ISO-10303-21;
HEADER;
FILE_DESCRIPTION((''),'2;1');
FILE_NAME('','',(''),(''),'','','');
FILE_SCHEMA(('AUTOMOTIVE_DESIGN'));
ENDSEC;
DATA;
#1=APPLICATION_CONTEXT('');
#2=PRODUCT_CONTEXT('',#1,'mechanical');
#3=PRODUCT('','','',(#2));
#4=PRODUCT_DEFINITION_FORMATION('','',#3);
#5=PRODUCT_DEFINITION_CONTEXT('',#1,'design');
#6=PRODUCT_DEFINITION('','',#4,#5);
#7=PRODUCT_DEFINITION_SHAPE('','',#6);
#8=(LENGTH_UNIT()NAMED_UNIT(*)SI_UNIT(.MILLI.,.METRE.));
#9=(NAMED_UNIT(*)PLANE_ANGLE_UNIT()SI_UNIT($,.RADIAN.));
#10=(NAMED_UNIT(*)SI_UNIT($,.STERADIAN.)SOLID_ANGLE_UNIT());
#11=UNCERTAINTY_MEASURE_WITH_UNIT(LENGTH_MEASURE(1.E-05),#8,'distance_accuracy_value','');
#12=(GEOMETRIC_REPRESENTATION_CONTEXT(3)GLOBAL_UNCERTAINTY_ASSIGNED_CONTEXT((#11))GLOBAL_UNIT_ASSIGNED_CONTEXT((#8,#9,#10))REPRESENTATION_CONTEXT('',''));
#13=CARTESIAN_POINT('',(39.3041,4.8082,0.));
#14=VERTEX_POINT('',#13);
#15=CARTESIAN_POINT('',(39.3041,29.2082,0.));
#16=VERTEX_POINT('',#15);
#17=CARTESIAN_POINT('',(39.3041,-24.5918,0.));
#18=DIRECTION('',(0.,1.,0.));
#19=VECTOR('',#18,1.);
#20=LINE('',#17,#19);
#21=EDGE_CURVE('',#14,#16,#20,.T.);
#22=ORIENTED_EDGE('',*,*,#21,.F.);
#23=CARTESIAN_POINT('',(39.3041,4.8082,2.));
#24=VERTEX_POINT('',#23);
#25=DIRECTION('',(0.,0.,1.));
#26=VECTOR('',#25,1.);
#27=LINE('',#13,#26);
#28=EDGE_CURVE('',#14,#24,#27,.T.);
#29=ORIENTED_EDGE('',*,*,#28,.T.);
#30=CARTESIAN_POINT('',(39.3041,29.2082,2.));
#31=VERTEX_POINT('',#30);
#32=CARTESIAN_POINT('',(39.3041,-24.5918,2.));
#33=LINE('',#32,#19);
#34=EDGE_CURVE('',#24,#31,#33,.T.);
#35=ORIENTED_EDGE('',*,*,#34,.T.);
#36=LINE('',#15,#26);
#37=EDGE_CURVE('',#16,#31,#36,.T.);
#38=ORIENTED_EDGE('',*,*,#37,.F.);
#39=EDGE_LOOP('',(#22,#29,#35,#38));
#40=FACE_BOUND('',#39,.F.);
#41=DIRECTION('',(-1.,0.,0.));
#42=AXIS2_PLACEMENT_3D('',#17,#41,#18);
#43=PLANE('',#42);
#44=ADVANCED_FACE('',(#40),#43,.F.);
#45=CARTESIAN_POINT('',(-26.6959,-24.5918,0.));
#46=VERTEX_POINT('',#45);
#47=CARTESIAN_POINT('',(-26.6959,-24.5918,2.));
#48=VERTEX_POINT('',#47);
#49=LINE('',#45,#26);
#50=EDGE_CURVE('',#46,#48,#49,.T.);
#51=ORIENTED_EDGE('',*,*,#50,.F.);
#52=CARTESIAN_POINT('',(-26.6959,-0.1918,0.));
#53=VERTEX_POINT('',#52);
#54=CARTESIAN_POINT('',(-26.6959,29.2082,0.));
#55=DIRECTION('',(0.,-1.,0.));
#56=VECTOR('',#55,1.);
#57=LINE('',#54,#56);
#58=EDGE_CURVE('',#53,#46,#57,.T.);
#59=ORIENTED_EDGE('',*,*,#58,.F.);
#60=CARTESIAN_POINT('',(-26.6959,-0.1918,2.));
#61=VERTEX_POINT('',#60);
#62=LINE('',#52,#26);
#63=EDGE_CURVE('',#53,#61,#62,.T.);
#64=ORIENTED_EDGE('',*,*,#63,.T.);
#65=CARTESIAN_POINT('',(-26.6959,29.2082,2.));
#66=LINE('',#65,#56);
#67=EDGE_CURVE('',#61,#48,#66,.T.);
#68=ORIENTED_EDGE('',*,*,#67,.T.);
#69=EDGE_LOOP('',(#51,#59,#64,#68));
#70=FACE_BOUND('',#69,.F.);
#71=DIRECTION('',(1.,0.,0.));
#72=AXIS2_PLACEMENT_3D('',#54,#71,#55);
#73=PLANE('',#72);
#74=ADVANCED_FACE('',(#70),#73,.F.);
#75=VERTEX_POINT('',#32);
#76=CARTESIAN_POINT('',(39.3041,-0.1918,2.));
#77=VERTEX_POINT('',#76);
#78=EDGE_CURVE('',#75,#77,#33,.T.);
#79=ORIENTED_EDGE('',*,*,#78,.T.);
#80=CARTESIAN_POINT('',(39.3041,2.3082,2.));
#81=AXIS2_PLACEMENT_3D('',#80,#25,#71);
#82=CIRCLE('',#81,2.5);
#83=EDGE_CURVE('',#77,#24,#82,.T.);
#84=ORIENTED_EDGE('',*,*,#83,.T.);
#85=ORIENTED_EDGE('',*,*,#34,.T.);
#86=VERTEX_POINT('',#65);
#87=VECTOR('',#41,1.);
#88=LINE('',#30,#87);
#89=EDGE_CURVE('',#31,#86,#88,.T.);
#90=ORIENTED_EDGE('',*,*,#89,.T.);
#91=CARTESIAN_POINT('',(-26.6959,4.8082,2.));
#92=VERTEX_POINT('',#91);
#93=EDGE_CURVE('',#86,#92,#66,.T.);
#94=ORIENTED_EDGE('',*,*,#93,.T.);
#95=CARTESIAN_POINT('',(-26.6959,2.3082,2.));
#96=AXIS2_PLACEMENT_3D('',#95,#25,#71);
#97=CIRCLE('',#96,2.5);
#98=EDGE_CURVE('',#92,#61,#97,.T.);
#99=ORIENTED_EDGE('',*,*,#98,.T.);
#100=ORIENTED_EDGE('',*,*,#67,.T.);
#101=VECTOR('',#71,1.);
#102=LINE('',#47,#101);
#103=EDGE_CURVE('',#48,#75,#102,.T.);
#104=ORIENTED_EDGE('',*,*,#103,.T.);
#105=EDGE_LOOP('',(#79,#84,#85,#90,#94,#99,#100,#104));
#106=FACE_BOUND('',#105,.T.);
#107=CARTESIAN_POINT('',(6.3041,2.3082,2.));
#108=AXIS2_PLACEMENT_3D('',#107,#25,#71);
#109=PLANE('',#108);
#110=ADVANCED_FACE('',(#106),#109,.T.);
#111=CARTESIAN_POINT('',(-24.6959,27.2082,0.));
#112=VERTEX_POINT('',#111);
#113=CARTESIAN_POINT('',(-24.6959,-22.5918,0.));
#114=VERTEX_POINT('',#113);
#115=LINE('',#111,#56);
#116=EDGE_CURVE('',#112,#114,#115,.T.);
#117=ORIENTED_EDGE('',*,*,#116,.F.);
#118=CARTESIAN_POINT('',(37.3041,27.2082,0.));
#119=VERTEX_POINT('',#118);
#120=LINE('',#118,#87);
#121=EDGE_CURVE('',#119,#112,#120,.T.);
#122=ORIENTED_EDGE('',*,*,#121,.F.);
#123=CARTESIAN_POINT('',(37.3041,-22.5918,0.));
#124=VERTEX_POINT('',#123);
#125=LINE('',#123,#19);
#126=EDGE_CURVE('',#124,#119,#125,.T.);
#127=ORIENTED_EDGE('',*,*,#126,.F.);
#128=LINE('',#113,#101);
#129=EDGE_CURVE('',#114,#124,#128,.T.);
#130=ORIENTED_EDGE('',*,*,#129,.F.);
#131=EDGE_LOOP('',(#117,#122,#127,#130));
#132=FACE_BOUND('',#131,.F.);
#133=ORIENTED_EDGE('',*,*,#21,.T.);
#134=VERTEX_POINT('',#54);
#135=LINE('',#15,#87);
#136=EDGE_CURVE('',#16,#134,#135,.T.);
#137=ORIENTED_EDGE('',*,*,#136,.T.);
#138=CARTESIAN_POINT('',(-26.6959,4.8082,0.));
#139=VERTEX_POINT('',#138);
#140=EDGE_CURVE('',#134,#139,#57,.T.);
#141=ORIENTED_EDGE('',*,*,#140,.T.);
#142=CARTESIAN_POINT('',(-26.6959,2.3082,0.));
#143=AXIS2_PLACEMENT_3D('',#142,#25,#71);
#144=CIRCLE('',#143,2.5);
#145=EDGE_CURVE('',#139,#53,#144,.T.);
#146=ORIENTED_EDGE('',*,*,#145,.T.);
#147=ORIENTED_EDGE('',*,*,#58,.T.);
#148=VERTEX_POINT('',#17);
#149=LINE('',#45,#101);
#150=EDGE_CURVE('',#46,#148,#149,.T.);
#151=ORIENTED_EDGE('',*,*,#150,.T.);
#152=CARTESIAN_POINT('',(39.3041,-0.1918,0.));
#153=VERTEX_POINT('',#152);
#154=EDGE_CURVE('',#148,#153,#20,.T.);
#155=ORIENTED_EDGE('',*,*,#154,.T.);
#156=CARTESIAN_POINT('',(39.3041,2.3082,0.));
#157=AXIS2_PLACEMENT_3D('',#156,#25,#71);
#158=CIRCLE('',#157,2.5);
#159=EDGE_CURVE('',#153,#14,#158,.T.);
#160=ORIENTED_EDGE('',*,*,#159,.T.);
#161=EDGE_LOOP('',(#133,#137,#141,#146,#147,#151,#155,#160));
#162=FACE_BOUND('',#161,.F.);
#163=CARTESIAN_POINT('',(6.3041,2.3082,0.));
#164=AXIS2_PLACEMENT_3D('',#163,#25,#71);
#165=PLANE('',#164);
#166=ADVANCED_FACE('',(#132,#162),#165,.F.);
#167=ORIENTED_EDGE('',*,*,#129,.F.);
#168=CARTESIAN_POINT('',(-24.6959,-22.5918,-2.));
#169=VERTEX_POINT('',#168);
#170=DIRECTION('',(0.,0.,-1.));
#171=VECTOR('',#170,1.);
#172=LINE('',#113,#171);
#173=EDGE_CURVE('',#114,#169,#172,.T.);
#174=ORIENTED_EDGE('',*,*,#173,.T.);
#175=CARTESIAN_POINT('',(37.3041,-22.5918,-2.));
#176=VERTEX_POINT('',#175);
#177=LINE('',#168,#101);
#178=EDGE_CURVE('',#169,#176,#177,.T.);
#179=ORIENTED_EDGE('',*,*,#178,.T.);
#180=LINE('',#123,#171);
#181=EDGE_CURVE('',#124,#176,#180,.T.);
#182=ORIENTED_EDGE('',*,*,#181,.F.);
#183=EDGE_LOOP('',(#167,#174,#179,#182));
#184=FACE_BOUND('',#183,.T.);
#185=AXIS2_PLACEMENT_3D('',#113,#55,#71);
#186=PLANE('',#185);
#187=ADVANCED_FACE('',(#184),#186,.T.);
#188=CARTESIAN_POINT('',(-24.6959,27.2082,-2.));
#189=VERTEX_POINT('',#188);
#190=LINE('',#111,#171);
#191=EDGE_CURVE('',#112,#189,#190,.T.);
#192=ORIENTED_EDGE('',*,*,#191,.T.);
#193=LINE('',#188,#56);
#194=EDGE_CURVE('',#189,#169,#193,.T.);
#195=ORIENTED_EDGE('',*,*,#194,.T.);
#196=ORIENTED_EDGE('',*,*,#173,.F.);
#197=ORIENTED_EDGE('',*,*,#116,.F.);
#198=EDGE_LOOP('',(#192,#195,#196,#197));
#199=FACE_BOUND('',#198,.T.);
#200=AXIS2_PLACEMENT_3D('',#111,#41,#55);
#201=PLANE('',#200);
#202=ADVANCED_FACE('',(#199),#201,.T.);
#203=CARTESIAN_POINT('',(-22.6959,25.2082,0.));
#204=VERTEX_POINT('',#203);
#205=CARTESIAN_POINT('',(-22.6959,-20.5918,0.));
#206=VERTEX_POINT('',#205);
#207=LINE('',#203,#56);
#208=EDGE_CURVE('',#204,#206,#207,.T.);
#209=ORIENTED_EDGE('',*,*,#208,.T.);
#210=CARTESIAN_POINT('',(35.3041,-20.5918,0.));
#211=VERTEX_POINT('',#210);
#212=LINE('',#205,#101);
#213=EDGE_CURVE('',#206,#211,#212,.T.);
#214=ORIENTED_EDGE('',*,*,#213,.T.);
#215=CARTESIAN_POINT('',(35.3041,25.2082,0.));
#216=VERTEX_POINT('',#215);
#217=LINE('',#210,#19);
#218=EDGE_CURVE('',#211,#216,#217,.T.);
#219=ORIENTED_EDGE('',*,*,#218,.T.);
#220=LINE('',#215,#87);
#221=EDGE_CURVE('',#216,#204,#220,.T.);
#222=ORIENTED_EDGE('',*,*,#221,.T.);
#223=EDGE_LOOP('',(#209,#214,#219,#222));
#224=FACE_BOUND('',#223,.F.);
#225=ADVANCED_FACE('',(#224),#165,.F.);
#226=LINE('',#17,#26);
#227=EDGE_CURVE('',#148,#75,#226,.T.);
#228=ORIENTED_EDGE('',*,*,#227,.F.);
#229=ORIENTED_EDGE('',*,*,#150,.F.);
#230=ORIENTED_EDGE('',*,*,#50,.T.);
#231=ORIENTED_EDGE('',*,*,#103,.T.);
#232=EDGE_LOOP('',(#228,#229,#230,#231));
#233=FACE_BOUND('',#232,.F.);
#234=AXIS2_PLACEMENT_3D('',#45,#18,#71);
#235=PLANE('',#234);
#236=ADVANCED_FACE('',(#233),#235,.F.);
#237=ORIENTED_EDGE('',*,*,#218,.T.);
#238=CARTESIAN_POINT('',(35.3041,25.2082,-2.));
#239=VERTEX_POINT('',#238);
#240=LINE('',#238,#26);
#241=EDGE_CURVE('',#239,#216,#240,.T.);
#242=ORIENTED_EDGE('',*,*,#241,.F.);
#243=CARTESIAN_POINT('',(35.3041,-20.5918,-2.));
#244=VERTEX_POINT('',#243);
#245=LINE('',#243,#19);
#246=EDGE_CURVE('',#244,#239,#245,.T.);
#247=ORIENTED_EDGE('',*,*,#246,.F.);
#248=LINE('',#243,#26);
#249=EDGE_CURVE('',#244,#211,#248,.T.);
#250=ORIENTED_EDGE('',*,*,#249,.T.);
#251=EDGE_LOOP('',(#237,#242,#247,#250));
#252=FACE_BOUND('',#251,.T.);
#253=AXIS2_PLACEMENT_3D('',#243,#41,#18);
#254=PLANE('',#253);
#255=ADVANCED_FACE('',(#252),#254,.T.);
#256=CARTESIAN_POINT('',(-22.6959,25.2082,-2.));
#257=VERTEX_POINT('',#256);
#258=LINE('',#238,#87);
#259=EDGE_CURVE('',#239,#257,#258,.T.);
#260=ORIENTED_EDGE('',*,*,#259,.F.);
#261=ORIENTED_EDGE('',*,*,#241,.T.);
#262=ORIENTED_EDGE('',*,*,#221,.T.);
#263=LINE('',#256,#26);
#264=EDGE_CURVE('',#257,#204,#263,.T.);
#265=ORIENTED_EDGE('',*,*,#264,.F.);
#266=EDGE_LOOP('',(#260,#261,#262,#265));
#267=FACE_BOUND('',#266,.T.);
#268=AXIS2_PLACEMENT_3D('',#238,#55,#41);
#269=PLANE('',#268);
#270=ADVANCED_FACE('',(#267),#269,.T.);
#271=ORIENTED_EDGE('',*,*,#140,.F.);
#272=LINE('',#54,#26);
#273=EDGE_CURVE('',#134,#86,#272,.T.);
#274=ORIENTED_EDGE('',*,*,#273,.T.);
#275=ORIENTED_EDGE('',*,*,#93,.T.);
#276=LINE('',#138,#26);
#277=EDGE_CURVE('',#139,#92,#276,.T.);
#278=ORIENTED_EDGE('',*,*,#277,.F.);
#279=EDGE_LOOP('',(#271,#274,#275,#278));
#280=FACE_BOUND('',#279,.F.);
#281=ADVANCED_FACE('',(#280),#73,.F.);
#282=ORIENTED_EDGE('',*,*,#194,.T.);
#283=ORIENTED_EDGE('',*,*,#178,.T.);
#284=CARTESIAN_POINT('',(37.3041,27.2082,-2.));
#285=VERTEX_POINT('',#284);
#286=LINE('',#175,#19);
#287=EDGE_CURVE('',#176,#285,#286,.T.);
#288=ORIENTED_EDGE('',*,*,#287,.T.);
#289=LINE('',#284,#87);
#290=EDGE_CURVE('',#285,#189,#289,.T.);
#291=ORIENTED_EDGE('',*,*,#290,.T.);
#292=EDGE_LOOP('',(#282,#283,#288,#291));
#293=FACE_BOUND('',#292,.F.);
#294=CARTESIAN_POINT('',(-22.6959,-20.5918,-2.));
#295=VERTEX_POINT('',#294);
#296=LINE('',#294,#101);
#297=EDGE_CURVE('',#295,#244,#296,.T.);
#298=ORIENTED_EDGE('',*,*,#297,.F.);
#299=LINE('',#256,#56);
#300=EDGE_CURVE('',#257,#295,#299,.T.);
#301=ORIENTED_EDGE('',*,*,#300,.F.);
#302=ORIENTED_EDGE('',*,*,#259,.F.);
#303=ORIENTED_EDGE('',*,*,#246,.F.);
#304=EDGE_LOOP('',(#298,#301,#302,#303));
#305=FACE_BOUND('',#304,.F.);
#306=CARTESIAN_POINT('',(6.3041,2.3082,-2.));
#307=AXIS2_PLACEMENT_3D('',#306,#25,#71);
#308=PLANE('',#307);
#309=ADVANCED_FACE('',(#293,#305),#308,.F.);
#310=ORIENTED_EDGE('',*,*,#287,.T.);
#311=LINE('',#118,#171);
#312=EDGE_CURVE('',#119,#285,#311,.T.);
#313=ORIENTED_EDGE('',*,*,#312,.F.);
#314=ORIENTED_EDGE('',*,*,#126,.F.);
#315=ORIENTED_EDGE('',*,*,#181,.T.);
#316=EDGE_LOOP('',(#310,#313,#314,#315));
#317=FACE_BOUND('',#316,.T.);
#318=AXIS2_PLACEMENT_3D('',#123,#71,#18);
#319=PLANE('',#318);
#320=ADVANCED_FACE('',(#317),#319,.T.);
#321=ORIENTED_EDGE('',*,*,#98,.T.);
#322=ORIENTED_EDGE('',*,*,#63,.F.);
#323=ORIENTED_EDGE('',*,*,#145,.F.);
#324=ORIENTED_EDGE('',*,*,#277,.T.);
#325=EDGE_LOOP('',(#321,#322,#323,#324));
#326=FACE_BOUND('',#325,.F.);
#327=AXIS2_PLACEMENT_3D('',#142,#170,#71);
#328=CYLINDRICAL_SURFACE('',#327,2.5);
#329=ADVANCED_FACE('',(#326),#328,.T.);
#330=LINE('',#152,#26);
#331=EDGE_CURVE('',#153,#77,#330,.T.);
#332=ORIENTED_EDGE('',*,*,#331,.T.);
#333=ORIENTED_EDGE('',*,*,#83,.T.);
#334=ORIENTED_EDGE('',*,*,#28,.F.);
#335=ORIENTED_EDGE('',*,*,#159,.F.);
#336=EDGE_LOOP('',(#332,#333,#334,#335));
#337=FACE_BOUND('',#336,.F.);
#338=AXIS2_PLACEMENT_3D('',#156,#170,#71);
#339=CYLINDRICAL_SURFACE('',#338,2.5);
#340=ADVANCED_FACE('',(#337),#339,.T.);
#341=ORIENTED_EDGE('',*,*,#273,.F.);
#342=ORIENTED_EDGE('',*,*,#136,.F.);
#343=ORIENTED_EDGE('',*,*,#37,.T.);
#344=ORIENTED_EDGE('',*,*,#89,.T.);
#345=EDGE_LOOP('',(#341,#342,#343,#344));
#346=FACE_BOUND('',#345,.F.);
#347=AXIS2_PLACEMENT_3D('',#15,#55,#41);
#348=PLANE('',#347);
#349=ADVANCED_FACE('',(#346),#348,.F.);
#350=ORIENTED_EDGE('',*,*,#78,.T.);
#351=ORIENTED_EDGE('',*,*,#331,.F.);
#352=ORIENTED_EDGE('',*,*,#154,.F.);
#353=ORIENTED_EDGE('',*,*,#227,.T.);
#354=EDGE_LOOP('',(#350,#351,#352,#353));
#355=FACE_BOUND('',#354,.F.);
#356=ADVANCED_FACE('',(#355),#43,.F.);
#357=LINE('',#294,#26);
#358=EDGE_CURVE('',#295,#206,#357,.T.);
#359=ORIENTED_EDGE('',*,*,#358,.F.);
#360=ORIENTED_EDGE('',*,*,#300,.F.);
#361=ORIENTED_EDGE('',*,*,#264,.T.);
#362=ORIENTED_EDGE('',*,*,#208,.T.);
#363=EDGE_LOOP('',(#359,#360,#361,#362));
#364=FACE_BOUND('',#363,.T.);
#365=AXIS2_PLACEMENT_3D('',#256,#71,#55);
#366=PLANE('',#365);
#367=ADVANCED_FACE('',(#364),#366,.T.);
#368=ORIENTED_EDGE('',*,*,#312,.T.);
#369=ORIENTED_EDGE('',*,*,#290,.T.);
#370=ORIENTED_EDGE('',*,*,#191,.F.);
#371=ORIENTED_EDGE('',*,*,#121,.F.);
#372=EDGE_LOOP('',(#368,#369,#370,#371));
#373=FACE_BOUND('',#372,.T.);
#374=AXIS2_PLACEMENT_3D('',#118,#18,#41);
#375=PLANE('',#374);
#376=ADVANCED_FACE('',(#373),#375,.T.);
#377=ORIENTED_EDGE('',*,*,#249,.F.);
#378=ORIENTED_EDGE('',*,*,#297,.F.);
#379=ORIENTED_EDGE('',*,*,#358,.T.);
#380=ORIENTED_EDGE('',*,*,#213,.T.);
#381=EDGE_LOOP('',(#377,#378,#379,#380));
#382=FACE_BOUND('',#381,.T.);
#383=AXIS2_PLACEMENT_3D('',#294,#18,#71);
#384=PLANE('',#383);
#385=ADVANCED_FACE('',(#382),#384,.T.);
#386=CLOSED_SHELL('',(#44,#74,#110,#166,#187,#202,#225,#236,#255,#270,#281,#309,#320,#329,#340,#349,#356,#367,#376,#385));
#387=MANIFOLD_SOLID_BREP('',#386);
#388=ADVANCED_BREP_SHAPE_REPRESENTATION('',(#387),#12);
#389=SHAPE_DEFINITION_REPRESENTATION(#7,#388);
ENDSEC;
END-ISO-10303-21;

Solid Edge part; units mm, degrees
sketch "Sketch1" plane through (0, 0, 0) normal (0, 0, 1) x (1, 0, 0)
  line L0 (-26.6959, -24.5918) -> (39.3041, -24.5918)
  line L1 (39.3041, -24.5918) -> (39.3041, 29.2082)
  line L2 (39.3041, 29.2082) -> (-26.6959, 29.2082)
  line L3 (-26.6959, 29.2082) -> (-26.6959, -24.5918)
extrude "Protrusion1" add sketch "Sketch1" along normal blind 2
sketch "Sketch2" plane through (6.3041, 2.3082, 0) normal (0, 0, -1) x (1, 0, 0)
  line L0 (-31, 24.9) -> (31, 24.9)
  line L1 (31, 24.9) -> (31, -24.9)
  line L2 (31, -24.9) -> (-31, -24.9)
  line L3 (-31, -24.9) -> (-31, 24.9)
extrude "ExtrudedProtrusion_2" add sketch "Sketch2" along normal blind 2
sketch "Sketch3" plane through (6.3041, 2.3082, -2) normal (0, 0, -1) x (1, 0, 0)
  line L0 (-29, 22.9) -> (29, 22.9)
  line L1 (29, 22.9) -> (29, -22.9)
  line L2 (29, -22.9) -> (-29, -22.9)
  line L3 (-29, -22.9) -> (-29, 22.9)
extrude "ExtrudedCutout_1" cut sketch "Sketch3" against normal blind 2
sketch "Sketch4" plane through (0, 0, 0) normal (0, 0, 1) x (1, 0, 0)
  line L0 (-26.6959, -0.1918) -> (-26.6959, 4.8082)
  arc A0 (-26.6959, 4.8082) -> (-26.6959, -0.1918) centre (-26.6959, 2.3082) ccw
  line L1 (39.3041, 4.8082) -> (39.3041, -0.1918)
  arc A1 (39.3041, -0.1918) -> (39.3041, 4.8082) centre (39.3041, 2.3082) ccw
extrude "ExtrudedProtrusion_3" add sketch "Sketch4" along normal blind 2
